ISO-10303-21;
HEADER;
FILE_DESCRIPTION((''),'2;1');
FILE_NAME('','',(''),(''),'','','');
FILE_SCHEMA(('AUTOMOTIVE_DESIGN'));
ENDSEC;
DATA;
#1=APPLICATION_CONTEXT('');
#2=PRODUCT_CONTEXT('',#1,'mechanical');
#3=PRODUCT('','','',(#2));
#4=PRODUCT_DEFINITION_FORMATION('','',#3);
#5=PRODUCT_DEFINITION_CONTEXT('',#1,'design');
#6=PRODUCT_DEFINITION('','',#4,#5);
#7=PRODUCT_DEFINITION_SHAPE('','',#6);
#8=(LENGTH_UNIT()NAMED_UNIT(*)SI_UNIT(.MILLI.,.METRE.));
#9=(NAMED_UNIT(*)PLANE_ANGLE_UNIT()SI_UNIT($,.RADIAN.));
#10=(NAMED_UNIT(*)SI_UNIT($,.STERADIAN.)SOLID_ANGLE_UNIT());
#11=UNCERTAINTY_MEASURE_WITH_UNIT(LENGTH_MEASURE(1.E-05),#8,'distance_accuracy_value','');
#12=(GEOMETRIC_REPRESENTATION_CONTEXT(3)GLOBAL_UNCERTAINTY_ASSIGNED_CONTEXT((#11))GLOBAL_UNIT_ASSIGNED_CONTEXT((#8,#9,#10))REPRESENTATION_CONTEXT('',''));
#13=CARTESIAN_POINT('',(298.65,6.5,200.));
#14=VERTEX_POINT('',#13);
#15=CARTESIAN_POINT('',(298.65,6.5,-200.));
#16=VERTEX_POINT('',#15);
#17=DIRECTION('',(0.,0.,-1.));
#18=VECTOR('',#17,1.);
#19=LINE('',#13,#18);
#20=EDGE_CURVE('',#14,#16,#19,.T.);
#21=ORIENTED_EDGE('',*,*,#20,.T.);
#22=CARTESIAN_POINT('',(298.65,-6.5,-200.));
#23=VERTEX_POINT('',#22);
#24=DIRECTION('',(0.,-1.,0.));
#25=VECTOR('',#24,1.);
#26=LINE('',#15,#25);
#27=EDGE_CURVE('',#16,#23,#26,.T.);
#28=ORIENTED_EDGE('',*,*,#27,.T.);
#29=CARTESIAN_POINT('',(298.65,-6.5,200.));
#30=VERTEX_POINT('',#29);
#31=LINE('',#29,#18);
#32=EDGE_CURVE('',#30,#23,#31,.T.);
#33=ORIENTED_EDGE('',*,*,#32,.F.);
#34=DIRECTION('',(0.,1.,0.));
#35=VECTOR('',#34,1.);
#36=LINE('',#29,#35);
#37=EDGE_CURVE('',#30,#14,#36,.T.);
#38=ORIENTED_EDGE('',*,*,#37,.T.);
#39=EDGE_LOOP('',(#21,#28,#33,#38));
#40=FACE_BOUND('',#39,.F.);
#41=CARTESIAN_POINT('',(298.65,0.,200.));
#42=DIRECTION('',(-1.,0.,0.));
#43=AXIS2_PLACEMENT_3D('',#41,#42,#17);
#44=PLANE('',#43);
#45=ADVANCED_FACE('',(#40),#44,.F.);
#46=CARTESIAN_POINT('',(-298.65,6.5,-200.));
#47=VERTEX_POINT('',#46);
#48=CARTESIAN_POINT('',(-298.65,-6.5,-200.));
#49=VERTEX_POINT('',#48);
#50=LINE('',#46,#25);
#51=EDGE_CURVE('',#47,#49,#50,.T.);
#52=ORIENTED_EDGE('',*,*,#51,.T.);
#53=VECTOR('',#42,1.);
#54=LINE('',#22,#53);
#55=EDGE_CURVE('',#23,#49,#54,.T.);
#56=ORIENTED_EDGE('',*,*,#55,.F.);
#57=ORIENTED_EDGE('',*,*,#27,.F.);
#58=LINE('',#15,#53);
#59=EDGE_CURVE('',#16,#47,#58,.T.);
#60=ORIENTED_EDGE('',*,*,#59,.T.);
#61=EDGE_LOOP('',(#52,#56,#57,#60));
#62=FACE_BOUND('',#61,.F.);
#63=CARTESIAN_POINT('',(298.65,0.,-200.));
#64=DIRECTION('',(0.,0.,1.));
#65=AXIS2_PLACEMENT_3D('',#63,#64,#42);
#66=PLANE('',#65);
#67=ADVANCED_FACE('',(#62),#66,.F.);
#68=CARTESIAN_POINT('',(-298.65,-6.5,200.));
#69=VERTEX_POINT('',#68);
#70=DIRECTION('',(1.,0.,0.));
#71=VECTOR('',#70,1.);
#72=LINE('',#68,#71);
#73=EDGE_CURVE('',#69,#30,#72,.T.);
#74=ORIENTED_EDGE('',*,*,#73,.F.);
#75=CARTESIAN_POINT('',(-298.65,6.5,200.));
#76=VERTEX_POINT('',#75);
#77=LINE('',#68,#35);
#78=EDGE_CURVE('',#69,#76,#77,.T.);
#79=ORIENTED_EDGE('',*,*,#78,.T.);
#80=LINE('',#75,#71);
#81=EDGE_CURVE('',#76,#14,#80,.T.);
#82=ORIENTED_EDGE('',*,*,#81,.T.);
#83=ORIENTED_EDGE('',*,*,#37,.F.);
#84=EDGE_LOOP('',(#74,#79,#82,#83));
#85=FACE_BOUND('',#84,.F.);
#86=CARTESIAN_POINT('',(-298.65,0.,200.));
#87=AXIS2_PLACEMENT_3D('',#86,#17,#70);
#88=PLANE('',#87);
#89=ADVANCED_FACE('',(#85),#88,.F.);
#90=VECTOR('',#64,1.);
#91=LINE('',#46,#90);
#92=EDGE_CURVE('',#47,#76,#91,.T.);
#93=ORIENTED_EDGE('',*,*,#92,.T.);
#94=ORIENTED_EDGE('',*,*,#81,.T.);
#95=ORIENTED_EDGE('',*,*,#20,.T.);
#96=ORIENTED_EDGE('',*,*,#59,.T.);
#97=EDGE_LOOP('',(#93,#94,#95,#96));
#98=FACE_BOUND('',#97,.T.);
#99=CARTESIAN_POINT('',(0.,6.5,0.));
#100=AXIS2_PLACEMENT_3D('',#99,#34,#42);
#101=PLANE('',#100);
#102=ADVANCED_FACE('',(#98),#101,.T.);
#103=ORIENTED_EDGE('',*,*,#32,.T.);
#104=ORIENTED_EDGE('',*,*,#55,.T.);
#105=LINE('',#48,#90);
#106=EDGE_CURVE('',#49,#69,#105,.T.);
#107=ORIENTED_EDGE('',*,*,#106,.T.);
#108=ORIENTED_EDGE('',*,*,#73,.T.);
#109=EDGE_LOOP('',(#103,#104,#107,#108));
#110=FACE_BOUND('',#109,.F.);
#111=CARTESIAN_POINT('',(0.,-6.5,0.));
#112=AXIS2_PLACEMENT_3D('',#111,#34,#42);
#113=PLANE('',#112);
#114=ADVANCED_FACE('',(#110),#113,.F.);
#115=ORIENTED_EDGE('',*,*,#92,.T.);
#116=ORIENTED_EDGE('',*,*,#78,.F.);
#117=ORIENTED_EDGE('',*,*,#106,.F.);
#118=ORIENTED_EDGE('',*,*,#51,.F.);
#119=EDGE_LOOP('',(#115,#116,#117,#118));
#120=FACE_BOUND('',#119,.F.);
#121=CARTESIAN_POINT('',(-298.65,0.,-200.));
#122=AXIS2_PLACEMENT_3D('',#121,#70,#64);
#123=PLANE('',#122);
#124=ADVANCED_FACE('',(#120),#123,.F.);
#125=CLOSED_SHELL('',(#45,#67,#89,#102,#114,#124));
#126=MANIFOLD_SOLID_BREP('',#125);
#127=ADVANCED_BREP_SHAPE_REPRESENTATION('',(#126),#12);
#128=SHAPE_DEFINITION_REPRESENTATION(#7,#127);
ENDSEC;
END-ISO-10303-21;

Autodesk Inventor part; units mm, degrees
ref_plane "YZ Plane" through (0, 0, 0) normal (1, 0, 0) x (0, 1, 0)
ref_plane "XZ Plane" through (0, 0, 0) normal (0, 1, 0) x (-1, 0, 0)
ref_plane "XY Plane" through (0, 0, 0) normal (0, 0, 1) x (1, 0, 0)
sketch "Sketch1" plane through (0, 0, 0) normal (0, 1, 0) x (-1, 0, 0)
  line L0 (298.65, 200) -> (-298.65, 200)
  line L1 (-298.65, 200) -> (-298.65, -200)
  line L2 (-298.65, -200) -> (298.65, -200)
  line L3 (298.65, -200) -> (298.65, 200)
  line L4 (298.65, 200) -> (-298.65, -200) construction
  line L5 (-298.65, 200) -> (298.65, -200) construction
  point P0 (0, 0)
  dimension "d0" = 400
  dimension "d1" = 597.3
extrude "Extrusion1" add sketch "Sketch1" along normal mid plane 13
properties part number "CNC-X-axis- bed platform"
